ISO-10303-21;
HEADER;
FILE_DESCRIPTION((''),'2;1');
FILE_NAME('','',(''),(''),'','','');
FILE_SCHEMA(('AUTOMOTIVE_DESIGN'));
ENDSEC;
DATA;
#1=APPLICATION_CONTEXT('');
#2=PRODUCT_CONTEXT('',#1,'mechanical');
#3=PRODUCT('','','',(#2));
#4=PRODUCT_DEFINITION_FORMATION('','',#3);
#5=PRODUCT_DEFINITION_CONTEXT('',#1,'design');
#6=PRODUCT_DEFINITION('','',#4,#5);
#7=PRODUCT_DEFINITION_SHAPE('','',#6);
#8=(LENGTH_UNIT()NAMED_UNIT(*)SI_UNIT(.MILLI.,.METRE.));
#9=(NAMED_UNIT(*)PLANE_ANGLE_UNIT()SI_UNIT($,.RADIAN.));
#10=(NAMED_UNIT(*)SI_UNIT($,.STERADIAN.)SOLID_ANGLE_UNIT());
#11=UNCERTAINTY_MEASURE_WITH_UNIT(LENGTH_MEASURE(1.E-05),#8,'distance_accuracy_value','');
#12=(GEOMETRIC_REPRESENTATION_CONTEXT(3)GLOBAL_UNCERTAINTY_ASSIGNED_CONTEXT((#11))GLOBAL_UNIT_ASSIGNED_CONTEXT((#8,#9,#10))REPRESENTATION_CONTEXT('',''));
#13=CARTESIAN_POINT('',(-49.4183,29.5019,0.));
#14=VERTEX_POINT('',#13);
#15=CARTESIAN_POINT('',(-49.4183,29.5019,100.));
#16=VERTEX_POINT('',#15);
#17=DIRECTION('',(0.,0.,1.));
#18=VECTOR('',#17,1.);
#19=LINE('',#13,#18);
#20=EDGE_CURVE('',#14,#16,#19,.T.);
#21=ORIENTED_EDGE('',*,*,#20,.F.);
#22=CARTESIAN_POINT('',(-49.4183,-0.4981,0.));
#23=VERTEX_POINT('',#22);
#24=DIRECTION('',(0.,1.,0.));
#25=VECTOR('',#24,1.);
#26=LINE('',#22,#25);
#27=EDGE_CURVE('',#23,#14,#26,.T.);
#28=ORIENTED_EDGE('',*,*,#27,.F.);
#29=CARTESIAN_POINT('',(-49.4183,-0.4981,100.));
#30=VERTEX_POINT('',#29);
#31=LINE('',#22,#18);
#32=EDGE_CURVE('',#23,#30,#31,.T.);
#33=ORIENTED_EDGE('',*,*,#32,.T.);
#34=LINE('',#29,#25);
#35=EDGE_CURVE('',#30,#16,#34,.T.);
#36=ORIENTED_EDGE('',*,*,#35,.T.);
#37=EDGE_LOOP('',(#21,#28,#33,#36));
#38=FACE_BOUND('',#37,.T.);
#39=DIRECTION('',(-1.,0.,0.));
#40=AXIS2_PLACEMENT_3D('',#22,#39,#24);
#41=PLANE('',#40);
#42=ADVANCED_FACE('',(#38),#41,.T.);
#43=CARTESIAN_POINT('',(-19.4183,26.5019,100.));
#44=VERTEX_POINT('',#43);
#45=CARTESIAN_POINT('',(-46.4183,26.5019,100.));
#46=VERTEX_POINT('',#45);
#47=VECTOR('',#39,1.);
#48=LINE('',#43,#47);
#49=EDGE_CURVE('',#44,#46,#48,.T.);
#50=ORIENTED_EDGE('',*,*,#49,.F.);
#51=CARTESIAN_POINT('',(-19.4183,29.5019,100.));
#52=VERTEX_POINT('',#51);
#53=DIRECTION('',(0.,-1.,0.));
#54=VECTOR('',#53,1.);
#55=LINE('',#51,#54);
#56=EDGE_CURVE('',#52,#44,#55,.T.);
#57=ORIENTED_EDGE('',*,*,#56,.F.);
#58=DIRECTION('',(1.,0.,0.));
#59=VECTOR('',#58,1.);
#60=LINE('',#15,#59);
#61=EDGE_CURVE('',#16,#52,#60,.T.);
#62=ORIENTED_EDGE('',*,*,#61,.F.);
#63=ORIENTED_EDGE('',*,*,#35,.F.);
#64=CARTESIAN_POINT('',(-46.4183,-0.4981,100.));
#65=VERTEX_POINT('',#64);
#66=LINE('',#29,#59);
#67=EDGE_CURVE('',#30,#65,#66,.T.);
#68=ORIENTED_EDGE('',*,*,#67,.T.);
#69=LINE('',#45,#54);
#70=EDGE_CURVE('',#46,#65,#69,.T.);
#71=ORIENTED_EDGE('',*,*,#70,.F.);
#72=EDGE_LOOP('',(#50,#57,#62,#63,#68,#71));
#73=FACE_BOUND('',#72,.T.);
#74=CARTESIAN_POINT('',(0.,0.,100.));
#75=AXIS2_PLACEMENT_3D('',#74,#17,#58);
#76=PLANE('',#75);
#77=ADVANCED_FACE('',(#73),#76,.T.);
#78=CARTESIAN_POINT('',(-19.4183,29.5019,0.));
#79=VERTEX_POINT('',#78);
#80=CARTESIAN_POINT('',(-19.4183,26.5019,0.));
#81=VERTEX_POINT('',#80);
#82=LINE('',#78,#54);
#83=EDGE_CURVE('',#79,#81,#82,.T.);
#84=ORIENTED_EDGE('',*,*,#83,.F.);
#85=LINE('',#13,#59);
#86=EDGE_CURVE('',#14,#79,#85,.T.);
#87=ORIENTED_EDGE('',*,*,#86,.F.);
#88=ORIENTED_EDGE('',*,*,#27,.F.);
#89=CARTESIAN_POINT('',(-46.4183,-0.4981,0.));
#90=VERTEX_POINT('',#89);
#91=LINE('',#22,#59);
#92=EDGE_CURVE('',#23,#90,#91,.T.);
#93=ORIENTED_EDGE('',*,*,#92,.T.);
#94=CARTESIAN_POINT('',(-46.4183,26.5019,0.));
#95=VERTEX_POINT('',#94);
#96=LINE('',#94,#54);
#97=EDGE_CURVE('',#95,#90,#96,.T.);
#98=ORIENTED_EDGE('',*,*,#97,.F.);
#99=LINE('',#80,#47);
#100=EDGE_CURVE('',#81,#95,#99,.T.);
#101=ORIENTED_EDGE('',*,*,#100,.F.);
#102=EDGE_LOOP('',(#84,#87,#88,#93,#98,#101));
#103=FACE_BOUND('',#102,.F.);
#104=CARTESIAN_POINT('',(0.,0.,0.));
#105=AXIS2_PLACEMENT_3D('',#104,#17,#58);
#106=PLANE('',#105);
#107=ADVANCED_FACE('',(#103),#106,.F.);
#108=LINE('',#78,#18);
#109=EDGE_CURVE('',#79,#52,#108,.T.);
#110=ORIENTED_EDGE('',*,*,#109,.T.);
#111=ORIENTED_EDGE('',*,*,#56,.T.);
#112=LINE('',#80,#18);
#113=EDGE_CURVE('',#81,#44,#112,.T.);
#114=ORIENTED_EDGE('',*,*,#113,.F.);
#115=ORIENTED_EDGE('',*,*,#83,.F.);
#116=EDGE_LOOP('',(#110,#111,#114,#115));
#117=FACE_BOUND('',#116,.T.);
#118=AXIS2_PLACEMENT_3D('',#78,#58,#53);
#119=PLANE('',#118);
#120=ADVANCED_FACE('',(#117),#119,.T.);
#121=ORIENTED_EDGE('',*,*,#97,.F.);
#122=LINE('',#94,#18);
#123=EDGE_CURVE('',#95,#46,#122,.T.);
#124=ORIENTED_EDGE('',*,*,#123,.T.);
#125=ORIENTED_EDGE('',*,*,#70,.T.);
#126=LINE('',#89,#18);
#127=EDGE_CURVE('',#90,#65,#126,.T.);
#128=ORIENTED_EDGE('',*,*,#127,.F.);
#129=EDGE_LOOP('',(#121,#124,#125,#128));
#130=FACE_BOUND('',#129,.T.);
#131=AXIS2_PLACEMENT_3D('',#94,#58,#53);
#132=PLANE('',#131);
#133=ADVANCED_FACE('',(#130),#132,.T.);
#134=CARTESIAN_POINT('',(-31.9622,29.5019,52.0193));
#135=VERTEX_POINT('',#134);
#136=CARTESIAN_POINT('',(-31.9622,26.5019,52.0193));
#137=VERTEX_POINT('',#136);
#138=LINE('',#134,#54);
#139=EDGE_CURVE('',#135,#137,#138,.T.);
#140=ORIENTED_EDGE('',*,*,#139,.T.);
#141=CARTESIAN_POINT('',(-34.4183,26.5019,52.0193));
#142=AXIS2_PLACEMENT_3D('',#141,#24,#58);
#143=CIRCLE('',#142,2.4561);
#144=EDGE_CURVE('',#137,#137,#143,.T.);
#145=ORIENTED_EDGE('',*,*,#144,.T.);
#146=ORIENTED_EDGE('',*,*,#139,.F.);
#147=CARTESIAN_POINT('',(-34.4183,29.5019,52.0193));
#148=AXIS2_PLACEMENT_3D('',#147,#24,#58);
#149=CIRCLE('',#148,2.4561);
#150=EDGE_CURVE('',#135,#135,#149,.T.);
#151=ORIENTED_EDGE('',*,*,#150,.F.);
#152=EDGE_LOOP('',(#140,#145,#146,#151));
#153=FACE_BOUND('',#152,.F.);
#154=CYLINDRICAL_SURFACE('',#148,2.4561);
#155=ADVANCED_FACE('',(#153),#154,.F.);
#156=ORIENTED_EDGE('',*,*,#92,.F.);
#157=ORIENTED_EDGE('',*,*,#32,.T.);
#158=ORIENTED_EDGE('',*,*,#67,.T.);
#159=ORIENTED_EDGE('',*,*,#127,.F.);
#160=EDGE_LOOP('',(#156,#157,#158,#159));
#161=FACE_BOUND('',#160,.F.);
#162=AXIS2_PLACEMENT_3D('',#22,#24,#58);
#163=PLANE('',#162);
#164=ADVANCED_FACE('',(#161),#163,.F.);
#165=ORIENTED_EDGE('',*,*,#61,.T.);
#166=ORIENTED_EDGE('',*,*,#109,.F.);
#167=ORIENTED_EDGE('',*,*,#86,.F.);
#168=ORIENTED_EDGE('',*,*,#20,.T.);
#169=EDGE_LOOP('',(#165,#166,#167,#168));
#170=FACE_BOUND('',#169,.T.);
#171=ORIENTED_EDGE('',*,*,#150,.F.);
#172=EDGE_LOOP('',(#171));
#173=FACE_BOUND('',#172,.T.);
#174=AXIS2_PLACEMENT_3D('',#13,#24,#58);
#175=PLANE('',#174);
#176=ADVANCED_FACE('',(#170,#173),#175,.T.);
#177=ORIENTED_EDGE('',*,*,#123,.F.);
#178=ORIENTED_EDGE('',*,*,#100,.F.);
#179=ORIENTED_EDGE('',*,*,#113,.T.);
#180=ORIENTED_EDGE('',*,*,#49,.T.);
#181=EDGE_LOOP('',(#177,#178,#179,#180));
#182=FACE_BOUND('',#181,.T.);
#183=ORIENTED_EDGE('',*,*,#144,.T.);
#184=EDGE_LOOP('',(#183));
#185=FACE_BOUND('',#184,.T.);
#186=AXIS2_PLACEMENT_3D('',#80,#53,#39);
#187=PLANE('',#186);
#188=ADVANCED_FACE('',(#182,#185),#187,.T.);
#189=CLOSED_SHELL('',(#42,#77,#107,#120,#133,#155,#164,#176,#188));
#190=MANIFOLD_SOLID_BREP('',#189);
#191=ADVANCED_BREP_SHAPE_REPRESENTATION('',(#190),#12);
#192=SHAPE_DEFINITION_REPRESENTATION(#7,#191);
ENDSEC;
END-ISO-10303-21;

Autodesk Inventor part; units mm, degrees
ref_plane "YZ Plane" through (0, 0, 0) normal (1, 0, 0) x (0, 1, 0)
ref_plane "XZ Plane" through (0, 0, 0) normal (0, 1, 0) x (-1, 0, 0)
ref_plane "XY Plane" through (0, 0, 0) normal (0, 0, 1) x (1, 0, 0)
sketch "Sketch1" plane through (0, 0, 0) normal (0, 0, 1) x (1, 0, 0)
  line L0 (-49.4183, -0.4981) -> (-49.4183, 29.5019)
  line L1 (-49.4183, 29.5019) -> (-19.4183, 29.5019)
  line L2 (-19.4183, 29.5019) -> (-19.4183, 26.5019)
  line L3 (-19.4183, 26.5019) -> (-46.4183, 26.5019)
  line L4 (-46.4183, 26.5019) -> (-46.4183, -0.4981)
  line L5 (-49.4183, -0.4981) -> (-46.4183, -0.4981)
  point P0 (0, 0)
  dimension "d0" = 30
  dimension "d1" = 30
  dimension "d2" = 27
  dimension "d3" = 3
extrude "Extrusion1" add sketch "Sketch1" along normal blind 100
sketch "Sketch2" plane through (-49.4183, 29.5019, 0) normal (0, 1, 0) x (1, 0, 0)
  circle A0 centre (15, -52.0193) radius 2.4561
  line L0 (0, 0) -> (0, -100) projected
  point P0 (49.4183, 0)
  dimension "d6" = 15
extrude "Extrusion2" cut sketch "Sketch2" against normal through all
properties part number "30x30L"
